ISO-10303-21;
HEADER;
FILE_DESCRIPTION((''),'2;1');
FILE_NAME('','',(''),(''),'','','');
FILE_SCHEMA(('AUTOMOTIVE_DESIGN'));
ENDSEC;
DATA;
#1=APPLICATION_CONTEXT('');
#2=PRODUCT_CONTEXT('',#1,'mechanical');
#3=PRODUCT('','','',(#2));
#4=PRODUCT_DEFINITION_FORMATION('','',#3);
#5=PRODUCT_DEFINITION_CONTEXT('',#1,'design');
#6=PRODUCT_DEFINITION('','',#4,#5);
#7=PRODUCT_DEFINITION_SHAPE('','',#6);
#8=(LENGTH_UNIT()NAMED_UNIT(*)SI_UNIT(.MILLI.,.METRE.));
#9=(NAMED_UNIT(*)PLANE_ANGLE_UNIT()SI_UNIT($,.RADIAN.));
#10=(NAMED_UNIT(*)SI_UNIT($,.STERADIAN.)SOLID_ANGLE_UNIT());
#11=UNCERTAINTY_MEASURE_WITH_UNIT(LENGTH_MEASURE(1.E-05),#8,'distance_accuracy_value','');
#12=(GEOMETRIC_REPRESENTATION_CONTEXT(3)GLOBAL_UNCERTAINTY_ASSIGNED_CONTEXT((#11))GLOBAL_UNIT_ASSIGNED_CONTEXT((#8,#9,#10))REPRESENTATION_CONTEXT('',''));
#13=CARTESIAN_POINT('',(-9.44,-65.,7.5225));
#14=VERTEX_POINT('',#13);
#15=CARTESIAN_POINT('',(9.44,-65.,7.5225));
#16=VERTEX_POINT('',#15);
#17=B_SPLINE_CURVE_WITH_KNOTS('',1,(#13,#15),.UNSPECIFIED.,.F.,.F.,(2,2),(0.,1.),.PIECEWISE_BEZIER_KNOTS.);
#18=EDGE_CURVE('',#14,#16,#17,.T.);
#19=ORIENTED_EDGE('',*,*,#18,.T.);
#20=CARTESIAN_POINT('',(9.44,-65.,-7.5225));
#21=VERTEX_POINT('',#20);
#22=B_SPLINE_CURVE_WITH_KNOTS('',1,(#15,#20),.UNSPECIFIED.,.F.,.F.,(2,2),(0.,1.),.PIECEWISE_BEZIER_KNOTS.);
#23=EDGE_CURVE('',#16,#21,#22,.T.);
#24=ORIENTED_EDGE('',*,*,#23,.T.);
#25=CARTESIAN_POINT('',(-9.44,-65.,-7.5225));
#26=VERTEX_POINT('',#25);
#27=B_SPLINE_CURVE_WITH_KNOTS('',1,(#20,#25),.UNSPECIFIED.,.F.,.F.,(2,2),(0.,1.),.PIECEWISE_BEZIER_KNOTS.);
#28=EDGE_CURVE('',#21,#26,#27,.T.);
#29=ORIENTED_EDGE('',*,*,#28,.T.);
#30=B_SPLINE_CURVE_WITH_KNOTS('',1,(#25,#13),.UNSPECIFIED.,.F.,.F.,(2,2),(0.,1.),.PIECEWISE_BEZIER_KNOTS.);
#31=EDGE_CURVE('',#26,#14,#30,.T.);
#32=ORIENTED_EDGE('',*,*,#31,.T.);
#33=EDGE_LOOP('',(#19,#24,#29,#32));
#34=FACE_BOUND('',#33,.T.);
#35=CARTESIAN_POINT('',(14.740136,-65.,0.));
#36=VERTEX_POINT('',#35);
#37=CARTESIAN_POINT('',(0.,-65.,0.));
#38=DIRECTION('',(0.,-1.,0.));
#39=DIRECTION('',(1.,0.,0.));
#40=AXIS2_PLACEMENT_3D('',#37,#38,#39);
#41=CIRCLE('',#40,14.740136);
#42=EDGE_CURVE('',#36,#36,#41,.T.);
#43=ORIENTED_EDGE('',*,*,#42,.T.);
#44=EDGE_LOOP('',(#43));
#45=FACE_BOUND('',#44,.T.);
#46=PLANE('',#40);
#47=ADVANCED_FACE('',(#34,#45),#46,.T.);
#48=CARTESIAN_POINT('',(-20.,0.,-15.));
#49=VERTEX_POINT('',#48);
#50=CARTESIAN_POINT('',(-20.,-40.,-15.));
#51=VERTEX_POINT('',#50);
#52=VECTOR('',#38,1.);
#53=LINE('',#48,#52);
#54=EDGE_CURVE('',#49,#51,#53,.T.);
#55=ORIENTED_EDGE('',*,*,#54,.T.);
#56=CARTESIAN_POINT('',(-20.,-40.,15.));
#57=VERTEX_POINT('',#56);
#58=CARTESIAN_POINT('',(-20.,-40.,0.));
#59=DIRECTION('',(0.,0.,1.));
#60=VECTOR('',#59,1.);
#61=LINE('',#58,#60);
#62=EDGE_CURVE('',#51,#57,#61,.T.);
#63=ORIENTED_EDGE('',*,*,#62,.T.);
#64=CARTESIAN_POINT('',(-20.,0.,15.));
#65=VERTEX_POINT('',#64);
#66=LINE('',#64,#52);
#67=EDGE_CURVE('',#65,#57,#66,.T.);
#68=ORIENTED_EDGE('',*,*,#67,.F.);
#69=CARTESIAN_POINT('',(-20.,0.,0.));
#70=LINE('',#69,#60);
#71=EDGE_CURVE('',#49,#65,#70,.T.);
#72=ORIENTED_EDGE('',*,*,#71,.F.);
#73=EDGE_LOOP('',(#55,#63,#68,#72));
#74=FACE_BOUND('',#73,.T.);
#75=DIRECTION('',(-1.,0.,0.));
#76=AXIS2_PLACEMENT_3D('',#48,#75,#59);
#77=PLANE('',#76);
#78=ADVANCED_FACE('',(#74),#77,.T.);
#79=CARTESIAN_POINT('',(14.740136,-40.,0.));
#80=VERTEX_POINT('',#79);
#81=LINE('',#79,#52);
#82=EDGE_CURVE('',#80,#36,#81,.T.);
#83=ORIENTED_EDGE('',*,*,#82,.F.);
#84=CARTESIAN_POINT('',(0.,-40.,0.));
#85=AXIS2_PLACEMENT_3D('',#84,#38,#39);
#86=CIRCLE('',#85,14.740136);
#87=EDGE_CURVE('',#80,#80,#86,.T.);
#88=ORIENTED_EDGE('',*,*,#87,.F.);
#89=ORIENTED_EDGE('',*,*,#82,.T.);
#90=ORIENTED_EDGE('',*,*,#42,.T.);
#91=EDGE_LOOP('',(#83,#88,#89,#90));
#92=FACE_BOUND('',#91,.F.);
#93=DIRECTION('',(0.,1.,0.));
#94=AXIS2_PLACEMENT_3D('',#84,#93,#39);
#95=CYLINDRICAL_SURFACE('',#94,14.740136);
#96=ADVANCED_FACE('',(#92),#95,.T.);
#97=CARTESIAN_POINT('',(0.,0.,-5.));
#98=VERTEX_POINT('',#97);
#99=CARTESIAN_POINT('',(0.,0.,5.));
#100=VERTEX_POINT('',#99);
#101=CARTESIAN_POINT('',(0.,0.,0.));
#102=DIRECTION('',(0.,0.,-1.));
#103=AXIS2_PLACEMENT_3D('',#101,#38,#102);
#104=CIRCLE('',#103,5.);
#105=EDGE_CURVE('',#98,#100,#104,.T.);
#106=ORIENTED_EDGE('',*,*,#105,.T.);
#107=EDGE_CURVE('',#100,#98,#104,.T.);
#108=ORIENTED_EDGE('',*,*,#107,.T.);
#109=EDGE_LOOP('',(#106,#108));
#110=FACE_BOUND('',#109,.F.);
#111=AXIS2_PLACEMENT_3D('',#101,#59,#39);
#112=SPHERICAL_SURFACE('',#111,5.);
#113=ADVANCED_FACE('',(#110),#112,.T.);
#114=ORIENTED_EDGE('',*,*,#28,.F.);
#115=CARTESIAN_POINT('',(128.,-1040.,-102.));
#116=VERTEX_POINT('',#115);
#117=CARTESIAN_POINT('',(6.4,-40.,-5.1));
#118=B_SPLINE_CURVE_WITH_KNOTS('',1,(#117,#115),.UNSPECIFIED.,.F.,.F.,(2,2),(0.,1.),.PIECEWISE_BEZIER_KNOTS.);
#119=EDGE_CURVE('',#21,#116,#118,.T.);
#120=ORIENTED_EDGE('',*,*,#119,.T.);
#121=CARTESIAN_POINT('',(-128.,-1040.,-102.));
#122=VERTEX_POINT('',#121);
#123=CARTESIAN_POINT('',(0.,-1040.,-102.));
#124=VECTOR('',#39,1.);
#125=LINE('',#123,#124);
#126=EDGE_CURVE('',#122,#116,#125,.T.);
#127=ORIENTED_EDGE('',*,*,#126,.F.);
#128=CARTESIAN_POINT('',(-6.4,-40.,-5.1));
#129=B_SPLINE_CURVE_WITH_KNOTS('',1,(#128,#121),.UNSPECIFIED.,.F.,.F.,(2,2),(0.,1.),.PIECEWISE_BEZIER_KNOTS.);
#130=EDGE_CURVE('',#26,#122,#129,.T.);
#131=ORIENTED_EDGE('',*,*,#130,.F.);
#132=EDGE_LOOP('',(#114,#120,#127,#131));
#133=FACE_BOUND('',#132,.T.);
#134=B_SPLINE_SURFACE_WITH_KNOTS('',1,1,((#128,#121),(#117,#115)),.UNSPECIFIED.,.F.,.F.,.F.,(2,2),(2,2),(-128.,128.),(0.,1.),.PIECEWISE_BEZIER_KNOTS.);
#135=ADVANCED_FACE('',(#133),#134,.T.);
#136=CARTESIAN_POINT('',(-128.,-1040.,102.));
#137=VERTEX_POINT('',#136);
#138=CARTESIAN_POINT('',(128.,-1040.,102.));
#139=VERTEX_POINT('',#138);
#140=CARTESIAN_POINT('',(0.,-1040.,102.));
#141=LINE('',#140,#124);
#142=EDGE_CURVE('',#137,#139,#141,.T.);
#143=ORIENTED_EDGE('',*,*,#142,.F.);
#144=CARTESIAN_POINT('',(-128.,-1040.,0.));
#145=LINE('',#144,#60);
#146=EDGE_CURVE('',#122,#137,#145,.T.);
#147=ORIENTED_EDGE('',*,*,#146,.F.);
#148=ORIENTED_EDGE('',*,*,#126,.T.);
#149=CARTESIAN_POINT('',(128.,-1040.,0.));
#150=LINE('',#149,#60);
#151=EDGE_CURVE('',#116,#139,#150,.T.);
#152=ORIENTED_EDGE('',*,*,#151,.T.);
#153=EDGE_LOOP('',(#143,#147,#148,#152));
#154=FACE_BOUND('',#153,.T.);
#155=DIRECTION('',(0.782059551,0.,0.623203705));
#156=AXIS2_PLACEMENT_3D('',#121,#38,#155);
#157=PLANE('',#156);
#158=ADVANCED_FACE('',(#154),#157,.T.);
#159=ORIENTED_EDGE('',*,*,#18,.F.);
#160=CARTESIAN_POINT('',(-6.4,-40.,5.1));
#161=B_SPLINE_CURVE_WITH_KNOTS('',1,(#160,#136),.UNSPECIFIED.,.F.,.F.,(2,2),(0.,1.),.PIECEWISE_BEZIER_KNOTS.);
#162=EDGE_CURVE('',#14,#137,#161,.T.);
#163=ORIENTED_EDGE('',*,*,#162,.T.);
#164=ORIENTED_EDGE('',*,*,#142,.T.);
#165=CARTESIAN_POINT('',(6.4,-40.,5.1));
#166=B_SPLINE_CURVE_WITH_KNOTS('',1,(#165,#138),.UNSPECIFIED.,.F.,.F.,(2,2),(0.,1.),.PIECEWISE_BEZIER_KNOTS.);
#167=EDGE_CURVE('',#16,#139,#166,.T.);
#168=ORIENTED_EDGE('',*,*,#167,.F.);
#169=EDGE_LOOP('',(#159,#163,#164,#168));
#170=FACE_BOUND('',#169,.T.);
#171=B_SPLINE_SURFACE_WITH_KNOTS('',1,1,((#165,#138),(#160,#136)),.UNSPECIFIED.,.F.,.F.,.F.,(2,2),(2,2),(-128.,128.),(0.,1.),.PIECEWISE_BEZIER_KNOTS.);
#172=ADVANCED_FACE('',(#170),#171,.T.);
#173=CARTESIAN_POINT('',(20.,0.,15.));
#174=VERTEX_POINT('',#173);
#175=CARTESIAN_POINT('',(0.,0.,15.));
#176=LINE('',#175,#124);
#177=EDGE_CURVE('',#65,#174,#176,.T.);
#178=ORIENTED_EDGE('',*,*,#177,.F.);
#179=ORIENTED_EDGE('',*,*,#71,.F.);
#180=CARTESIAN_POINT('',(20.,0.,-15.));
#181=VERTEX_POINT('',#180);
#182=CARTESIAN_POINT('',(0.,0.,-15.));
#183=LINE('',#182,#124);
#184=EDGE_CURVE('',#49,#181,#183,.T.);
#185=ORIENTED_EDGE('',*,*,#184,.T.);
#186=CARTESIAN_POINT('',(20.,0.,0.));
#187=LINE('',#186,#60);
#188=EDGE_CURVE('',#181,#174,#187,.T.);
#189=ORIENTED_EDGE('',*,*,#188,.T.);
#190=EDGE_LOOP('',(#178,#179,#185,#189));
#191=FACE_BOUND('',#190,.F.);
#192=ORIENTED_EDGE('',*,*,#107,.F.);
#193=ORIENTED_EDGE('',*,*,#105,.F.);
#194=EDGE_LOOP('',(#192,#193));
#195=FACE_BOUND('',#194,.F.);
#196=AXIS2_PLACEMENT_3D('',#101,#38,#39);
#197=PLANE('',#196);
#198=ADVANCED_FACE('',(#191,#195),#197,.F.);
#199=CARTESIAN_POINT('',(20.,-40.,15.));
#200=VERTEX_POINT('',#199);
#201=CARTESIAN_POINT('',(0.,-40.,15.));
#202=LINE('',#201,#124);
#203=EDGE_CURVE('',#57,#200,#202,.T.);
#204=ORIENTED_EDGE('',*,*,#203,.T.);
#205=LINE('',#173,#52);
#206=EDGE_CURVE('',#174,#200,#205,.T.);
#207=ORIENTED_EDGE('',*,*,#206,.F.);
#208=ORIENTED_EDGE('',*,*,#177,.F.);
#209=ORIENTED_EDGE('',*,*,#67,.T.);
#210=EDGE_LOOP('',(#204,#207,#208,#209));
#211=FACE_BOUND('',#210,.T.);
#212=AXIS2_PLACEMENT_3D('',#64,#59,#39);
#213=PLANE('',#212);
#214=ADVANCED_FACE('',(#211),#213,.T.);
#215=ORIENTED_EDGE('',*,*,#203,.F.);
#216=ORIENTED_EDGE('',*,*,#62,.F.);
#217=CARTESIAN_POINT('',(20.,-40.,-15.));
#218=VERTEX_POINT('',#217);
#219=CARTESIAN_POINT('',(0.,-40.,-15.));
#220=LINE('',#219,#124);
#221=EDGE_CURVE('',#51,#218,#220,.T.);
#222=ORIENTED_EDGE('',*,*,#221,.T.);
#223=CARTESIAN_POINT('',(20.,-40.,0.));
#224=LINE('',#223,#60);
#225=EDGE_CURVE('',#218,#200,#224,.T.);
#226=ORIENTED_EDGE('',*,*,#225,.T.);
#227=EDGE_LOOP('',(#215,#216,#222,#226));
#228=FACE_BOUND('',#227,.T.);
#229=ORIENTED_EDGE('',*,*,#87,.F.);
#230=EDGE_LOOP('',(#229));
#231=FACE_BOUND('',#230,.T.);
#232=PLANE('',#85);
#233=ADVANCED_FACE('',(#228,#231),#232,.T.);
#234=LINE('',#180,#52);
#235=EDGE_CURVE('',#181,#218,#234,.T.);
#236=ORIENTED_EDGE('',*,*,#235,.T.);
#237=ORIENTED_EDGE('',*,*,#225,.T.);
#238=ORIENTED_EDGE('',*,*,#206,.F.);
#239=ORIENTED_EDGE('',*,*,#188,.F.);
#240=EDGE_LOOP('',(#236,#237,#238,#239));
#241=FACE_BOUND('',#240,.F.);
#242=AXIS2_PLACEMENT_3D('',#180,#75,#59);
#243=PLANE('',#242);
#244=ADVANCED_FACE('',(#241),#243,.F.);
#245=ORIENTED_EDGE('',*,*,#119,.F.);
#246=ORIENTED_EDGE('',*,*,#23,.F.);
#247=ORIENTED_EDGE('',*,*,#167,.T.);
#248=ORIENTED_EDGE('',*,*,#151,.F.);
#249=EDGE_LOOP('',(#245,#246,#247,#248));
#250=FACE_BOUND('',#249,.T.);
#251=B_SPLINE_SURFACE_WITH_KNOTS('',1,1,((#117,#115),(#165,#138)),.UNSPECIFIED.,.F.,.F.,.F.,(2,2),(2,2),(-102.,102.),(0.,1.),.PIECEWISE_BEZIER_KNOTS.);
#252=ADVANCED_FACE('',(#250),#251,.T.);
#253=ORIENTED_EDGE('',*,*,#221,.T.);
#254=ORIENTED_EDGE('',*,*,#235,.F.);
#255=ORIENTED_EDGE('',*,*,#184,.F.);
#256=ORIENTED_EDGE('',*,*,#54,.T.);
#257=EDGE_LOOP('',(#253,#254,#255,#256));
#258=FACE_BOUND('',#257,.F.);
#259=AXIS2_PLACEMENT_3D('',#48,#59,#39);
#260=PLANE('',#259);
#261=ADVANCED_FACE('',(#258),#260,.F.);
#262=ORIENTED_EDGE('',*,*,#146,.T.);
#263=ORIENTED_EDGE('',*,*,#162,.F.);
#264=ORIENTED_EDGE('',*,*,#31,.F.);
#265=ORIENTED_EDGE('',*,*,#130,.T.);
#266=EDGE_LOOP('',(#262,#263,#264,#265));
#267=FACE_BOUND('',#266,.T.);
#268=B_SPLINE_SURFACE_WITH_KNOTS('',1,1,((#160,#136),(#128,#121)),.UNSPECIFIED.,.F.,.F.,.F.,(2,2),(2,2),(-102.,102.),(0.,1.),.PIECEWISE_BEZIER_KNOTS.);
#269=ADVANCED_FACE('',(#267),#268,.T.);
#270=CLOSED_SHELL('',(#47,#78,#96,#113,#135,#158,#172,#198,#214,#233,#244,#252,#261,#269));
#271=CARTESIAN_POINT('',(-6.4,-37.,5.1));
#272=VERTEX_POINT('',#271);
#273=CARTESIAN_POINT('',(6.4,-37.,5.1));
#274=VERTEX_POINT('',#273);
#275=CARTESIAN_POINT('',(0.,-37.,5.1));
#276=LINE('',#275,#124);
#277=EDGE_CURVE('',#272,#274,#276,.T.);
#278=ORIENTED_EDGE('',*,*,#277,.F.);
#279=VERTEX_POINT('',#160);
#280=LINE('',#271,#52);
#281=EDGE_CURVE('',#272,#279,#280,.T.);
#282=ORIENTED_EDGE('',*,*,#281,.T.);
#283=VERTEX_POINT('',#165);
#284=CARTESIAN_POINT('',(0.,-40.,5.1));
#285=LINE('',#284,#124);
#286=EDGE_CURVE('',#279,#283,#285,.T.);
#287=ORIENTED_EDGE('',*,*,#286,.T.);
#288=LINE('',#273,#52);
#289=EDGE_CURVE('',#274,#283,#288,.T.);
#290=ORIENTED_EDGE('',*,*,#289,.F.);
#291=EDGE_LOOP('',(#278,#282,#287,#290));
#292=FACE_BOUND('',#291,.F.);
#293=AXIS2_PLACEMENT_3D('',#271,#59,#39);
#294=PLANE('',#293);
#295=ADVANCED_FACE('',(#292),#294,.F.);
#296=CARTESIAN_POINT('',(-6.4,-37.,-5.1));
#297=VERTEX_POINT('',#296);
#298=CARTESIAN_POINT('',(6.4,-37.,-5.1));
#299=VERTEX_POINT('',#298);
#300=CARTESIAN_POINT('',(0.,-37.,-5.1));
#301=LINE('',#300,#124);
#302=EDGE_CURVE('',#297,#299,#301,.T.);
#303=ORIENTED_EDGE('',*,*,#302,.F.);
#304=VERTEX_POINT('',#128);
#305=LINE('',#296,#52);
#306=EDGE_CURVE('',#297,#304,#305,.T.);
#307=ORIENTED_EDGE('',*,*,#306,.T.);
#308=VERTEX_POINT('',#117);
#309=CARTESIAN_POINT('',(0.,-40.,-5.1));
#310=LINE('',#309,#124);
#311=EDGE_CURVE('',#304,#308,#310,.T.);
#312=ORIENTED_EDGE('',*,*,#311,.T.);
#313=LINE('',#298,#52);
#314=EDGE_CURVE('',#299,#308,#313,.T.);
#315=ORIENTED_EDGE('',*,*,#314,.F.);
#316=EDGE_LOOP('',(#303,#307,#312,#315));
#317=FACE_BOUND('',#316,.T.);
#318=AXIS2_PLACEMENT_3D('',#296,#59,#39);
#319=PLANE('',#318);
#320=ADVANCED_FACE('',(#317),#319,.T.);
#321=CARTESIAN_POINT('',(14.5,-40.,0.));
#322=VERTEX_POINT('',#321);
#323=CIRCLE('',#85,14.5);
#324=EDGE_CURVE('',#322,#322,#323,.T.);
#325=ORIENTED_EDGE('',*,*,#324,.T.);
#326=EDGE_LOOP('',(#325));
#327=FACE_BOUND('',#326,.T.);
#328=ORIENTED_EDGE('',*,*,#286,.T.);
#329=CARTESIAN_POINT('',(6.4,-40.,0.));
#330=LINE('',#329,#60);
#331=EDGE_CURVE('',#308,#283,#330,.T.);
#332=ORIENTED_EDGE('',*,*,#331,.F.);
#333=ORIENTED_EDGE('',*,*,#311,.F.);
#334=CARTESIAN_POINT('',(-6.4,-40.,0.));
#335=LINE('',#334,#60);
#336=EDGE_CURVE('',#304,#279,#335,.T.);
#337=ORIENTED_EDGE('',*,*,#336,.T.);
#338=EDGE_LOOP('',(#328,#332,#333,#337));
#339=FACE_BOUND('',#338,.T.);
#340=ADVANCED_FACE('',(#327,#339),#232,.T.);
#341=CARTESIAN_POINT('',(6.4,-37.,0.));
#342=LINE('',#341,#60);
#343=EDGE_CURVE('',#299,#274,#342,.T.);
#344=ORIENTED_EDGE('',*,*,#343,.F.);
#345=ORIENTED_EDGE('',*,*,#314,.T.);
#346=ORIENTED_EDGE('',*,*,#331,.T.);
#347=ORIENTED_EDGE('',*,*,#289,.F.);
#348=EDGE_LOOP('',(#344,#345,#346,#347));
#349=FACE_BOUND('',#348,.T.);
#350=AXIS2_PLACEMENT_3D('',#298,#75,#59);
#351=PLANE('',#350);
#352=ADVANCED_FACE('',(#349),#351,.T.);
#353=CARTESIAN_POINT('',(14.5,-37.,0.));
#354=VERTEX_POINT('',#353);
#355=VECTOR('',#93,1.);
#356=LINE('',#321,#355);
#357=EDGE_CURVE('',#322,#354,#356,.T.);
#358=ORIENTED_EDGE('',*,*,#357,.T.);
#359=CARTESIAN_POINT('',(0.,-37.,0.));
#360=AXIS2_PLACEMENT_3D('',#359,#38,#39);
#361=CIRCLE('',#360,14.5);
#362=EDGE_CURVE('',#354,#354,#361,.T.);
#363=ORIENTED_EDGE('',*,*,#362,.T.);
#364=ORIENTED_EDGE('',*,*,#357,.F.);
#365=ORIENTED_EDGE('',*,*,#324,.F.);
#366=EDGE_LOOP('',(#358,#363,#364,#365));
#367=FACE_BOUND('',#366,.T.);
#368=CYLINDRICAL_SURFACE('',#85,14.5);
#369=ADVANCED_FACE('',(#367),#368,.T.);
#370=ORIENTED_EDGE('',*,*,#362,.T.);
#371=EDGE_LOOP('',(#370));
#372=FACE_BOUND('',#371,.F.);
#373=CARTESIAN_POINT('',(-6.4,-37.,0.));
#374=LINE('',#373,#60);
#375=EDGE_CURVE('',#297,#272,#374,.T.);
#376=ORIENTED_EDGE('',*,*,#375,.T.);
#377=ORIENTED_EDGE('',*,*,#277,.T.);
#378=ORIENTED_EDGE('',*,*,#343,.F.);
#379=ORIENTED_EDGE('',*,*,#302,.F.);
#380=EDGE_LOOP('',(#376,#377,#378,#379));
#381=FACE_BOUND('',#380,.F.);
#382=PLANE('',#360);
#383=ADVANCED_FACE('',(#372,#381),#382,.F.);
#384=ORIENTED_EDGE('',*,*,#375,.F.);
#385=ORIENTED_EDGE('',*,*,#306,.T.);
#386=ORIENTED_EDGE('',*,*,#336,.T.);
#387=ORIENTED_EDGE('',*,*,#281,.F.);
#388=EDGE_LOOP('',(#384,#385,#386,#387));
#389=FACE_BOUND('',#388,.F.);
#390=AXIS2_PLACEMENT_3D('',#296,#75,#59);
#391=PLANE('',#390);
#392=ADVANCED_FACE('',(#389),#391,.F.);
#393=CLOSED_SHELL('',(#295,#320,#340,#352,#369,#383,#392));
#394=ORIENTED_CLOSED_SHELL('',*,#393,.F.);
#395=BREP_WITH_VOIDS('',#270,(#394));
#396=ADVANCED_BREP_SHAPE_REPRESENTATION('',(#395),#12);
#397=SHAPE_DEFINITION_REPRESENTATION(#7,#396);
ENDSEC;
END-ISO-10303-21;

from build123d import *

# Parameters (mm, degrees)
F0_W      = 40
F0_H      = 30
F1_DEPTH  = 40
F3_R      = 14.5
F4_DEPTH  = 3
F5_W      = 12.8
F5_H      = 10.2
F6_DEPTH  = 3
F6_FACE_W = 12.8
F6_FACE_H = 10.2
F8_W      = 256
F8_H      = 204
F12_R     = 14.7401358377
F13_DEPTH = 25


with BuildPart() as f1:
    # F0 (on Front) → F1 (new body)
    with BuildSketch(Plane.XZ):
        Rectangle(F0_W, F0_H)
    extrude(amount=F1_DEPTH)

    # F3 (on face) → F4 (cut)
    with BuildSketch(Plane.XZ.offset(40)):
        Circle(F3_R)
    extrude(amount=-F4_DEPTH, mode=Mode.SUBTRACT)

    # F5 (on face) → F6 (join)
    with BuildSketch(Plane.XZ.offset(37)):
        Rectangle(F5_W, F5_H)
    extrude(amount=F6_DEPTH)

    # F6_face (on face) → F9 section 0
    with BuildSketch(Plane.XZ.offset(40)):
        Rectangle(F6_FACE_W, F6_FACE_H)
    # F8 (on offset) → F9 section 1
    with BuildSketch(Plane.XZ.offset(1040)):
        Rectangle(F8_W, F8_H)
    loft()

    # F10 (on face) → F11 (revolve)
    with BuildSketch(Plane.XZ):
        with BuildLine():
            ThreePointArc((0, -5), (5, 0), (0, 5))
            Line((0, 5), (0, -5))
        make_face()
    revolve(axis=Axis((0, 0, 0), (0, 0, -1)))

    # F12 (on face) → F13 (join)
    with BuildSketch(Plane.XZ.offset(40)):
        Circle(F12_R)
    extrude(amount=F13_DEPTH)


solid = f1.part
